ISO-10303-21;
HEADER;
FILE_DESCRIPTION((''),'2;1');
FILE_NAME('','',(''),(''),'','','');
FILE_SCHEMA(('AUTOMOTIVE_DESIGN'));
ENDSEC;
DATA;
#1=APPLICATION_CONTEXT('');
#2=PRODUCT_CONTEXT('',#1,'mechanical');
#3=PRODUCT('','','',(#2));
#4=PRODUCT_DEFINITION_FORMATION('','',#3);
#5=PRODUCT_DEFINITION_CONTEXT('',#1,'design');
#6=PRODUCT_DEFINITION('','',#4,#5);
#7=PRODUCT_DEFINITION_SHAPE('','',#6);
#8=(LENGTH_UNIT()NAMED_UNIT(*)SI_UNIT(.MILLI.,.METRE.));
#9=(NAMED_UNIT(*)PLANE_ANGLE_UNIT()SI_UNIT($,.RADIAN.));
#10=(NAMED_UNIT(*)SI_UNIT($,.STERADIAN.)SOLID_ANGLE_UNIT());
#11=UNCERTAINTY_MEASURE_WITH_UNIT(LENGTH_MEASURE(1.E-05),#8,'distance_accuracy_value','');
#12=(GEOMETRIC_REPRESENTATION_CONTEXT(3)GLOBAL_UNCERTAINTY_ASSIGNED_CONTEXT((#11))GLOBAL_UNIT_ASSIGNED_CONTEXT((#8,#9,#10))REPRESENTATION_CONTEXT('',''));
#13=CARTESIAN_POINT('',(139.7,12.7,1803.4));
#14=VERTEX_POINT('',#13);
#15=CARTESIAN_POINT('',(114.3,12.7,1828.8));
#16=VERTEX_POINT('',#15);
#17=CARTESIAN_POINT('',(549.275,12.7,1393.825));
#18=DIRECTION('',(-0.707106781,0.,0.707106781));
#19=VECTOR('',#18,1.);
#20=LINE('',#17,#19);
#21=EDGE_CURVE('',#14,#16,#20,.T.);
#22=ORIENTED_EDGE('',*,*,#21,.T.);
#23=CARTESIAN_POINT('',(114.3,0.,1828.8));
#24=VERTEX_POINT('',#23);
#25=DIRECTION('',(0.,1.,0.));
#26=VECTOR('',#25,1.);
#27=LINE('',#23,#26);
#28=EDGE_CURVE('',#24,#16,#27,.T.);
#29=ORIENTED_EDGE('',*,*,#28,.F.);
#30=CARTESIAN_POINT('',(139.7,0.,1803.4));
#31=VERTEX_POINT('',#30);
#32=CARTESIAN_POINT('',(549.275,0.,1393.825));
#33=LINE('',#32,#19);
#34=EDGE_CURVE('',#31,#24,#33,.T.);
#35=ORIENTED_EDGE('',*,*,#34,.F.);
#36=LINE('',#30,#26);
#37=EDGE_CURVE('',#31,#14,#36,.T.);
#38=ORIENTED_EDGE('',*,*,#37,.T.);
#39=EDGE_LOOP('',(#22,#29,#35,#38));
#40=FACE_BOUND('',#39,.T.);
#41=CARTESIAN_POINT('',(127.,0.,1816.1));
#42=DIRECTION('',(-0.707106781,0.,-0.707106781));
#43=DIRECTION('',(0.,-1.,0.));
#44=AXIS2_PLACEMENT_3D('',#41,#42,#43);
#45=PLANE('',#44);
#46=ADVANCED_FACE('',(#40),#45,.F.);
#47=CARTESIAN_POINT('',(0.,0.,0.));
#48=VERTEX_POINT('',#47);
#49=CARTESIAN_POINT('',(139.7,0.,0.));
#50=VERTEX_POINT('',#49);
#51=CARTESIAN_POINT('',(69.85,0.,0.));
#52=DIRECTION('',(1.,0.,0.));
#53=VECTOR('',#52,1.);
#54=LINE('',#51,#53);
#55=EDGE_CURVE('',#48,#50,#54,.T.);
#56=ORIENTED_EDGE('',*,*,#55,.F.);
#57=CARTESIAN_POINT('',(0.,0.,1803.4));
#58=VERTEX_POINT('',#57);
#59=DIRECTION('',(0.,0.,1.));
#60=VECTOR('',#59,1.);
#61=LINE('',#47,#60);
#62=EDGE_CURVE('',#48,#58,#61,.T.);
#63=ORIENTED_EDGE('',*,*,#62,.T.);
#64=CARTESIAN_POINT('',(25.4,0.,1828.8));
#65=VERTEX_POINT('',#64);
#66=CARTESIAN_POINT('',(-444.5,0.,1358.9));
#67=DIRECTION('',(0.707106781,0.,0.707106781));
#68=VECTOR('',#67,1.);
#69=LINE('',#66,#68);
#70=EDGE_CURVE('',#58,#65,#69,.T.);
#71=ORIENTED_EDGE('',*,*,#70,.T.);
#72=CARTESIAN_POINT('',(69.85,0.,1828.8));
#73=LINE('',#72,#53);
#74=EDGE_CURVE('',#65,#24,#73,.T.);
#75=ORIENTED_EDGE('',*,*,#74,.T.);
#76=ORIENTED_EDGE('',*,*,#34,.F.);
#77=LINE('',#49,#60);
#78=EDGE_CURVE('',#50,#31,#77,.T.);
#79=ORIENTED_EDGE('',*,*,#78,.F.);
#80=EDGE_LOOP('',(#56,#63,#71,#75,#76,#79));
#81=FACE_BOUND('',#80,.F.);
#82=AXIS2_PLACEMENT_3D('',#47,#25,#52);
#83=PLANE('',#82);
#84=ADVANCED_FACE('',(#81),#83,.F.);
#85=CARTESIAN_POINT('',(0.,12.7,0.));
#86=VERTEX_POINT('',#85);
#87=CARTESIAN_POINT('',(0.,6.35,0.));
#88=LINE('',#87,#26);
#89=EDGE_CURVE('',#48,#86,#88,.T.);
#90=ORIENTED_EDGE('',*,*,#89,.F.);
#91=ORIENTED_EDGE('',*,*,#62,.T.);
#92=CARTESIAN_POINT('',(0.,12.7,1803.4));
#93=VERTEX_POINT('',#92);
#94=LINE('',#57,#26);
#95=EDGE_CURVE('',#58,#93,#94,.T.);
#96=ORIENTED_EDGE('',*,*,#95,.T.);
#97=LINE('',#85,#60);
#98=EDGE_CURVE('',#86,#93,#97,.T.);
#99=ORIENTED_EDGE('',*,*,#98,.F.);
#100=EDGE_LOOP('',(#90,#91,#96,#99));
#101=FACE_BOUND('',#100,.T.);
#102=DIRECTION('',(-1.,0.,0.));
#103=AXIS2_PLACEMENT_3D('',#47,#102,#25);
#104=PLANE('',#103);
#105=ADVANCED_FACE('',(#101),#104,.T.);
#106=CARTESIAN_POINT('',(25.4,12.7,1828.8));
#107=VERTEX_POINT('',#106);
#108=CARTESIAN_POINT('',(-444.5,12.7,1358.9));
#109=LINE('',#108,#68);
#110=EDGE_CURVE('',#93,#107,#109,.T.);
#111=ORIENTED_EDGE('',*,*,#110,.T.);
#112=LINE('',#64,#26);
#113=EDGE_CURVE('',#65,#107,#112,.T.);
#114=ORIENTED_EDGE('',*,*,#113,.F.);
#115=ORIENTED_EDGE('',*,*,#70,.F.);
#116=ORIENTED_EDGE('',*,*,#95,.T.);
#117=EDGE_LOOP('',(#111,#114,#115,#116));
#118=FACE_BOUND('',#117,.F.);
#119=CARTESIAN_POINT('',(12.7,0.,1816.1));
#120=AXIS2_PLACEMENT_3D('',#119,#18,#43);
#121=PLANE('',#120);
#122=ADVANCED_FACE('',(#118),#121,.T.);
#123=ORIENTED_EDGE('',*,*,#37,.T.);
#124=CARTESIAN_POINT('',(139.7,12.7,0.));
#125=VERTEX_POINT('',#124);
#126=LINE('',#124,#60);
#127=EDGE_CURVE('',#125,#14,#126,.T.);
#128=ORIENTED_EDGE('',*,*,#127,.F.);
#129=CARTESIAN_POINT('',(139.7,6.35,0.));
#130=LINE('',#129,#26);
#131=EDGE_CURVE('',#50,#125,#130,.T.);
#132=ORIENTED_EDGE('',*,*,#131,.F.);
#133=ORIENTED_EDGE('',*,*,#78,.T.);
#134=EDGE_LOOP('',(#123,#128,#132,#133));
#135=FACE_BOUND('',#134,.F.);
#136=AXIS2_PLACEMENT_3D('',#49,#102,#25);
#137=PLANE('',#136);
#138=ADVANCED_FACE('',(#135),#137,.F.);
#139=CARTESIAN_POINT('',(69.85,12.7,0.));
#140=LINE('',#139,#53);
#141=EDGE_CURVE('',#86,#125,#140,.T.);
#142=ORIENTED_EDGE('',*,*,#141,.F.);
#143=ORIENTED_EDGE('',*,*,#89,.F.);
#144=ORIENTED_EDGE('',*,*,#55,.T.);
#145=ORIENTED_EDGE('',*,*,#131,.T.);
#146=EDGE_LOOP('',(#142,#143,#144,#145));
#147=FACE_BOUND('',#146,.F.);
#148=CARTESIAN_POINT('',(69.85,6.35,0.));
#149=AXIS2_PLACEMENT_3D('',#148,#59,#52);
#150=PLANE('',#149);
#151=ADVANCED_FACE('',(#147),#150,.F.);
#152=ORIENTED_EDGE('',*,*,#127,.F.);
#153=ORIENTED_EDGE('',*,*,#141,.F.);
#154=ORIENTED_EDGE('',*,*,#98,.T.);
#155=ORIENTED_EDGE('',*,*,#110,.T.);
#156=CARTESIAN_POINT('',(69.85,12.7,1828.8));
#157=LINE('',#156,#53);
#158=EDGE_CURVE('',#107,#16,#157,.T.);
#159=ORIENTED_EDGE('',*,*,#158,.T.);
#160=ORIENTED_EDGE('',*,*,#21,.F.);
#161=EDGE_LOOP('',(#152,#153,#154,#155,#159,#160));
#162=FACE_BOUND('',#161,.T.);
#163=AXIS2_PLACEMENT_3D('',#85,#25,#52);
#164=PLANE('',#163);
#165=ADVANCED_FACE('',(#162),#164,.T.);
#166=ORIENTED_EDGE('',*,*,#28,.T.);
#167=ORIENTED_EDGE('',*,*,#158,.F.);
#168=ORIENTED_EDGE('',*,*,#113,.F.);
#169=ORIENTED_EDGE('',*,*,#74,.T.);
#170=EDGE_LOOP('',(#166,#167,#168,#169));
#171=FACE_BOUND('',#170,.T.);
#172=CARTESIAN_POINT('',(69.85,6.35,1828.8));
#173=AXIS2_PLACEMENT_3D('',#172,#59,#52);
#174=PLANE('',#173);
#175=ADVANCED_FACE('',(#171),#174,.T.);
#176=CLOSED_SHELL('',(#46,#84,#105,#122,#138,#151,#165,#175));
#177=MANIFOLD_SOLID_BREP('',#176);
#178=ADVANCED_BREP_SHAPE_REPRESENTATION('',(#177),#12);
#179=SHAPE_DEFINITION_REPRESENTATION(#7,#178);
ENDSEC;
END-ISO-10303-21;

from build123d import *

# Parameters (mm, degrees)
F0_W     = 139.7
F0_H     = 12.7
F1_DEPTH = 1828.8
F2_SIZE  = 25.4


with BuildPart() as f1:
    # F0 (on Top) → F1 (new body)
    with BuildSketch(Plane.XY):
        with Locations((69.85, 6.35)):
            Rectangle(F0_W, F0_H)
    extrude(amount=F1_DEPTH)

    # F2
    f2_edges = [f1.edges().sort_by_distance(p)[0] for p in [
        (139.7, 6.35, 1828.8),
        (0, 6.35, 1828.8),
    ]]
    chamfer(f2_edges, length=F2_SIZE)


solid = f1.part
